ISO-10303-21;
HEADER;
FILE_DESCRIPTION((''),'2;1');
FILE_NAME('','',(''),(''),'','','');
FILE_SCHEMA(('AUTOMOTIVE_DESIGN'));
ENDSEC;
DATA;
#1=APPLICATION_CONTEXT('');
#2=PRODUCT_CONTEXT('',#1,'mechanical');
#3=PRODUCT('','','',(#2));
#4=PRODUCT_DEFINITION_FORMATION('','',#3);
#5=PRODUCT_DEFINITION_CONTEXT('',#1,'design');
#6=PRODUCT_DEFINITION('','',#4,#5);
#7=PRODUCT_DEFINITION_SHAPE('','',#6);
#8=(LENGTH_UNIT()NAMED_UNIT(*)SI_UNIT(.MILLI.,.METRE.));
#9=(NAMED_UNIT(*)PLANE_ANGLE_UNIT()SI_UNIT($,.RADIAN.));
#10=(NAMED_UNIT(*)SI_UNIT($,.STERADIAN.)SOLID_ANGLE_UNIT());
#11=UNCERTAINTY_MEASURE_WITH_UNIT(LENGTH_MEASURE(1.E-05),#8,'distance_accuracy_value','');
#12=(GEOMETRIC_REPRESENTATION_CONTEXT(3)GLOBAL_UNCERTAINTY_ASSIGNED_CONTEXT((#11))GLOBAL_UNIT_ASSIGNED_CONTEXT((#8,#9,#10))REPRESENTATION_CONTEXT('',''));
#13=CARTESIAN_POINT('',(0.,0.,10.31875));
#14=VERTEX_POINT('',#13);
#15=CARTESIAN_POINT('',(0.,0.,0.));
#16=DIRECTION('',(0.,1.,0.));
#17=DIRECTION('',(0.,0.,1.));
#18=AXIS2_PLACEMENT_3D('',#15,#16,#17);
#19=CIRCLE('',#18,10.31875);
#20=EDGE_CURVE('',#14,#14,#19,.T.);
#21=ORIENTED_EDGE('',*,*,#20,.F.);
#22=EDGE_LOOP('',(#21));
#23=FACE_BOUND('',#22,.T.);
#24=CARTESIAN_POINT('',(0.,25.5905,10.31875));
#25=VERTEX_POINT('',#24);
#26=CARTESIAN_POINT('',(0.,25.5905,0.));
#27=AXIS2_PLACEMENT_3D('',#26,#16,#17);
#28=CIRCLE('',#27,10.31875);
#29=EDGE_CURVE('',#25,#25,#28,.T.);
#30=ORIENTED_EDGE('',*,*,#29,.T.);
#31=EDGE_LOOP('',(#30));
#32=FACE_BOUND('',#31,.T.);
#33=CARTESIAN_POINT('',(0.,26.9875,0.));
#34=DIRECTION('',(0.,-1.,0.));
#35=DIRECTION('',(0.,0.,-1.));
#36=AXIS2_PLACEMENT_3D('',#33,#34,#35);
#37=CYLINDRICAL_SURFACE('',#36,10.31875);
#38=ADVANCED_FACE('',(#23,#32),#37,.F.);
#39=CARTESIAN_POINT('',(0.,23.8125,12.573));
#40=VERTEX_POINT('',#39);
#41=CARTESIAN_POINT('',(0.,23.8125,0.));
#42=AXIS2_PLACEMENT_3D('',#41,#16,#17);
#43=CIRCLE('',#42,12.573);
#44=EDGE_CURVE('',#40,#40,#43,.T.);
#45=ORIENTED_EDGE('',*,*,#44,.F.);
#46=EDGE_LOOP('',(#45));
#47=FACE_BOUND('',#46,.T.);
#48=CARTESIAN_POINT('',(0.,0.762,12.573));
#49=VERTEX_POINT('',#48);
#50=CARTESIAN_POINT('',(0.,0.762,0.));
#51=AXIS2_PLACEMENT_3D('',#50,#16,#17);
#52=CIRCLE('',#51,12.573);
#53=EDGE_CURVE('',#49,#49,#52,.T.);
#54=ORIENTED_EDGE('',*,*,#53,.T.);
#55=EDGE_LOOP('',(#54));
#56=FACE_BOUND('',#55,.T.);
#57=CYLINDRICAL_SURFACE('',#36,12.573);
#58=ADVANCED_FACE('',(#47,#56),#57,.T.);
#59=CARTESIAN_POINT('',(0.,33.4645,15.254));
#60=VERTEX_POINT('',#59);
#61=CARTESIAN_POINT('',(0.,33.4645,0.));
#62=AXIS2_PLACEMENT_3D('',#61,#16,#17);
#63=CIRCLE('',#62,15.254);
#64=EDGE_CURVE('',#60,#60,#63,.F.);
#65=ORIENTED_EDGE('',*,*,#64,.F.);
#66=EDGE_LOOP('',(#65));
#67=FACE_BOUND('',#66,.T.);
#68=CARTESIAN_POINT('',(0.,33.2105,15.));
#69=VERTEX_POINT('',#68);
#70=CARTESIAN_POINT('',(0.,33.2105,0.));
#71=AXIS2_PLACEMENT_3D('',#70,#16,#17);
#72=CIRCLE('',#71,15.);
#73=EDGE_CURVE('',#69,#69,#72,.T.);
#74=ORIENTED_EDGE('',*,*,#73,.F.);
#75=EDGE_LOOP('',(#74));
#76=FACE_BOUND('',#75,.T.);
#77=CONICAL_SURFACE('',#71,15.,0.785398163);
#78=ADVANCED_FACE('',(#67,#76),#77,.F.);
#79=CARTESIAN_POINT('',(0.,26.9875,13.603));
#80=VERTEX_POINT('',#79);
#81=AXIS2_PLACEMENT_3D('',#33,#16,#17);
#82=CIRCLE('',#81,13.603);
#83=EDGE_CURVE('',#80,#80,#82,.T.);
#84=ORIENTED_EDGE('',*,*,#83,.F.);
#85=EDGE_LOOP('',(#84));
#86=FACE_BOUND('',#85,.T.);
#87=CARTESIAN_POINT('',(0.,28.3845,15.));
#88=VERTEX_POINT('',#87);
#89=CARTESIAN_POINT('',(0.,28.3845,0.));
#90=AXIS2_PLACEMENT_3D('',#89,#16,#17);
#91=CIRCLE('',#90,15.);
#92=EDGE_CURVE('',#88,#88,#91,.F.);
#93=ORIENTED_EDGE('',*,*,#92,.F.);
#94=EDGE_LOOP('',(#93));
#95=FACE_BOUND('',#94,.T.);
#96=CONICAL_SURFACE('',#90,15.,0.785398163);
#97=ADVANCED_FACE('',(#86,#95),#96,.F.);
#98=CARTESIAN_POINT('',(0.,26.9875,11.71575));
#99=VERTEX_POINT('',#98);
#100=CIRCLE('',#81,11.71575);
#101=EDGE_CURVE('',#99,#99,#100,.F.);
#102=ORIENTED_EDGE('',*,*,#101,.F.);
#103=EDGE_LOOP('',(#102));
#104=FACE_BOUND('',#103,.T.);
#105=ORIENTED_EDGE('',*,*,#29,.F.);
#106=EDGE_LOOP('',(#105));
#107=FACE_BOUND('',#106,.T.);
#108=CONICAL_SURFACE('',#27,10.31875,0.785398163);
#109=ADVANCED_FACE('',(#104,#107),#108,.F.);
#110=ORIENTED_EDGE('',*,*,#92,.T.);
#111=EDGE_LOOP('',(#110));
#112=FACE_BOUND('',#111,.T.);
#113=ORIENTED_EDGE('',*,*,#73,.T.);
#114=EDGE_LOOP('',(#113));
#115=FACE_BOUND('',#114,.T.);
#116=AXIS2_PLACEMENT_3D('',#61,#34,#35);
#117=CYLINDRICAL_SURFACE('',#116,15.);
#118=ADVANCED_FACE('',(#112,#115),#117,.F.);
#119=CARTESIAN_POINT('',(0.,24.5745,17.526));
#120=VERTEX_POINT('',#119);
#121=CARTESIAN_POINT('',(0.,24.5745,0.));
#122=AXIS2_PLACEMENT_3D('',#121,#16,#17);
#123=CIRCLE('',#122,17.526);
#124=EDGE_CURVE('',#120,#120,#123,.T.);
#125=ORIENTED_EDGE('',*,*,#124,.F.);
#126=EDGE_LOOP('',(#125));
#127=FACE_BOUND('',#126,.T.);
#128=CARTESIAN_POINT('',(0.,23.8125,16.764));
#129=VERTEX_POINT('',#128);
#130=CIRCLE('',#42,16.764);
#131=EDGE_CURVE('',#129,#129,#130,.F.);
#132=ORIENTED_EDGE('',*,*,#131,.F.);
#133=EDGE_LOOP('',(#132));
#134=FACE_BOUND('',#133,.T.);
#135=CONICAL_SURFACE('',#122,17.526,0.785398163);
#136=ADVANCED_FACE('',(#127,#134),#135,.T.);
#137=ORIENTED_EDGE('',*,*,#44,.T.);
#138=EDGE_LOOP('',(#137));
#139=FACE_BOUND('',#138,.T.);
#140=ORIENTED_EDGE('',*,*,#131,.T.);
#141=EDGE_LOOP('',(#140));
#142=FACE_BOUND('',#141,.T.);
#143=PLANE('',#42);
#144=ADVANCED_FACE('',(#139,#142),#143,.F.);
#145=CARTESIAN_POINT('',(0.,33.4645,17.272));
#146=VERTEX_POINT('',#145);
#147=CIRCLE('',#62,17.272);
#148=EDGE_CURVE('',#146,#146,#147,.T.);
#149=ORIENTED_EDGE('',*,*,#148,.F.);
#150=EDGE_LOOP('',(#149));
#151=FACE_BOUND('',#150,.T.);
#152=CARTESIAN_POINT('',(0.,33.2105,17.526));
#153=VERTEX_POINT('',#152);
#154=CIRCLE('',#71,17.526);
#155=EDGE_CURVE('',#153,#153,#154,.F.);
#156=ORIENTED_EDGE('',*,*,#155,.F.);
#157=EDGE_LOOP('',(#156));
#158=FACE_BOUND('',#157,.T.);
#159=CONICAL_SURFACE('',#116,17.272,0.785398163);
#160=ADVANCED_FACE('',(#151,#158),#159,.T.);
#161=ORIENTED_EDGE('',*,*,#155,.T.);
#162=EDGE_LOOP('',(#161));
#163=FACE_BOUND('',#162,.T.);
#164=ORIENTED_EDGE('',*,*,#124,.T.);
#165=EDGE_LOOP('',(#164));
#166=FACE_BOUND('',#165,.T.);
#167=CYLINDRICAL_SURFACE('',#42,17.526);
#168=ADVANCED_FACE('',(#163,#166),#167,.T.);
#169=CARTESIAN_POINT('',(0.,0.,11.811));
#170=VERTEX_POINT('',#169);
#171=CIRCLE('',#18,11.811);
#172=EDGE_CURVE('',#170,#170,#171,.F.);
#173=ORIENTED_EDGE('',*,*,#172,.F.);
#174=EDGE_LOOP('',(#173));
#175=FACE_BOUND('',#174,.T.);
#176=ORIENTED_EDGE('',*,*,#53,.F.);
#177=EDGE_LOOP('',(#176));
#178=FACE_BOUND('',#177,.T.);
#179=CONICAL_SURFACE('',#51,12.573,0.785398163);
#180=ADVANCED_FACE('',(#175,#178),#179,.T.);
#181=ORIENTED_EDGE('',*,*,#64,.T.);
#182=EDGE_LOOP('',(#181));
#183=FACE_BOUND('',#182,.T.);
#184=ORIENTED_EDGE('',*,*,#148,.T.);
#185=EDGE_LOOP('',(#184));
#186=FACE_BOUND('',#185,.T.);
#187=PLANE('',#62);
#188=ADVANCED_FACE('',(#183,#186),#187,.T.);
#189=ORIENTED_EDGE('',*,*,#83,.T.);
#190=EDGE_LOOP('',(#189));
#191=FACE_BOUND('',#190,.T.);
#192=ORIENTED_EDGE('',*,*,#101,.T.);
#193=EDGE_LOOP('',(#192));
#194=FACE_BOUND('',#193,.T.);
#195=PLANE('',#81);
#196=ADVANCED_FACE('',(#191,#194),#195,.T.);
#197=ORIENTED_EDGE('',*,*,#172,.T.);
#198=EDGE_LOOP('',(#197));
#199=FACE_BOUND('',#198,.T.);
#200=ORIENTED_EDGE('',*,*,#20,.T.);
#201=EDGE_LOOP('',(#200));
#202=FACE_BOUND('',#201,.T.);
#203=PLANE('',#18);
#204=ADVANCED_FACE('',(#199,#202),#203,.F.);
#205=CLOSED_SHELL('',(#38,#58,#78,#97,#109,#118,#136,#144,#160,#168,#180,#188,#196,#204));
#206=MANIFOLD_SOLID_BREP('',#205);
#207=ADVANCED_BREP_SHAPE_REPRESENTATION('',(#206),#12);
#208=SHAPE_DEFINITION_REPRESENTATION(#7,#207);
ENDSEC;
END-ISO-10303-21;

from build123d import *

# Parameters (mm, degrees)
SKETCH1_R           = 12.573
SKETCH1_R_2         = 10.31875
BOSS_EXTRUDE1_DEPTH = 26.9875
SKETCH2_R           = 17.526
SKETCH2_R_2         = 10.31875
BOSS_EXTRUDE2_DEPTH = 3.175
SKETCH3_R           = 17.526
SKETCH3_R_2         = 15
BOSS_EXTRUDE3_DEPTH = 6.477
CHAMFER1_SIZE       = 0.762
CHAMFER3_SIZE       = 0.254
CHAMFER4_SIZE       = 0.254
CHAMFER5_SIZE       = 1.397
CHAMFER6_SIZE       = 1.397


with BuildPart() as part:
    # Sketch1 → Boss-Extrude1 (new body)
    with BuildSketch(Plane(origin=(0, 0, 0), x_dir=(1, 0, 0), z_dir=(0, 1, 0))):
        Circle(SKETCH1_R)
        Circle(SKETCH1_R_2, mode=Mode.SUBTRACT)
    extrude(amount=BOSS_EXTRUDE1_DEPTH)

    # Sketch2 → Boss-Extrude2 (add)
    with BuildSketch(Plane(origin=(0, 26.9875, 0), x_dir=(1, 0, 0), z_dir=(0, 1, 0))):
        Circle(SKETCH2_R)
        Circle(SKETCH2_R_2, mode=Mode.SUBTRACT)
    extrude(amount=-BOSS_EXTRUDE2_DEPTH)

    # Sketch3 → Boss-Extrude3 (add)
    with BuildSketch(Plane(origin=(0, 26.9875, 0), x_dir=(1, 0, 0), z_dir=(0, 1, 0))):
        Circle(SKETCH3_R)
        Circle(SKETCH3_R_2, mode=Mode.SUBTRACT)
    extrude(amount=BOSS_EXTRUDE3_DEPTH)

    # Chamfer1
    chamfer1_edges = [part.edges().sort_by_distance(p)[0] for p in [
        (-17.526, 23.8125, 0),
        (-12.573, 0, 0),
    ]]
    chamfer(chamfer1_edges, length=CHAMFER1_SIZE)

    # Chamfer3
    chamfer3_edges = [part.edges().sort_by_distance(p)[0] for p in [
        (-17.526, 33.4645, 0),
    ]]
    chamfer(chamfer3_edges, length=CHAMFER3_SIZE)

    # Chamfer4
    chamfer4_edges = [part.edges().sort_by_distance(p)[0] for p in [
        (-15, 33.4645, 0),
    ]]
    chamfer(chamfer4_edges, length=CHAMFER4_SIZE)

    # Chamfer5
    chamfer5_edges = [part.edges().sort_by_distance(p)[0] for p in [
        (-15, 26.9875, 0),
    ]]
    chamfer(chamfer5_edges, length=CHAMFER5_SIZE)

    # Chamfer6
    chamfer6_edges = [part.edges().sort_by_distance(p)[0] for p in [
        (-10.31875, 26.9875, 0),
    ]]
    chamfer(chamfer6_edges, length=CHAMFER6_SIZE)


solid = part.part
